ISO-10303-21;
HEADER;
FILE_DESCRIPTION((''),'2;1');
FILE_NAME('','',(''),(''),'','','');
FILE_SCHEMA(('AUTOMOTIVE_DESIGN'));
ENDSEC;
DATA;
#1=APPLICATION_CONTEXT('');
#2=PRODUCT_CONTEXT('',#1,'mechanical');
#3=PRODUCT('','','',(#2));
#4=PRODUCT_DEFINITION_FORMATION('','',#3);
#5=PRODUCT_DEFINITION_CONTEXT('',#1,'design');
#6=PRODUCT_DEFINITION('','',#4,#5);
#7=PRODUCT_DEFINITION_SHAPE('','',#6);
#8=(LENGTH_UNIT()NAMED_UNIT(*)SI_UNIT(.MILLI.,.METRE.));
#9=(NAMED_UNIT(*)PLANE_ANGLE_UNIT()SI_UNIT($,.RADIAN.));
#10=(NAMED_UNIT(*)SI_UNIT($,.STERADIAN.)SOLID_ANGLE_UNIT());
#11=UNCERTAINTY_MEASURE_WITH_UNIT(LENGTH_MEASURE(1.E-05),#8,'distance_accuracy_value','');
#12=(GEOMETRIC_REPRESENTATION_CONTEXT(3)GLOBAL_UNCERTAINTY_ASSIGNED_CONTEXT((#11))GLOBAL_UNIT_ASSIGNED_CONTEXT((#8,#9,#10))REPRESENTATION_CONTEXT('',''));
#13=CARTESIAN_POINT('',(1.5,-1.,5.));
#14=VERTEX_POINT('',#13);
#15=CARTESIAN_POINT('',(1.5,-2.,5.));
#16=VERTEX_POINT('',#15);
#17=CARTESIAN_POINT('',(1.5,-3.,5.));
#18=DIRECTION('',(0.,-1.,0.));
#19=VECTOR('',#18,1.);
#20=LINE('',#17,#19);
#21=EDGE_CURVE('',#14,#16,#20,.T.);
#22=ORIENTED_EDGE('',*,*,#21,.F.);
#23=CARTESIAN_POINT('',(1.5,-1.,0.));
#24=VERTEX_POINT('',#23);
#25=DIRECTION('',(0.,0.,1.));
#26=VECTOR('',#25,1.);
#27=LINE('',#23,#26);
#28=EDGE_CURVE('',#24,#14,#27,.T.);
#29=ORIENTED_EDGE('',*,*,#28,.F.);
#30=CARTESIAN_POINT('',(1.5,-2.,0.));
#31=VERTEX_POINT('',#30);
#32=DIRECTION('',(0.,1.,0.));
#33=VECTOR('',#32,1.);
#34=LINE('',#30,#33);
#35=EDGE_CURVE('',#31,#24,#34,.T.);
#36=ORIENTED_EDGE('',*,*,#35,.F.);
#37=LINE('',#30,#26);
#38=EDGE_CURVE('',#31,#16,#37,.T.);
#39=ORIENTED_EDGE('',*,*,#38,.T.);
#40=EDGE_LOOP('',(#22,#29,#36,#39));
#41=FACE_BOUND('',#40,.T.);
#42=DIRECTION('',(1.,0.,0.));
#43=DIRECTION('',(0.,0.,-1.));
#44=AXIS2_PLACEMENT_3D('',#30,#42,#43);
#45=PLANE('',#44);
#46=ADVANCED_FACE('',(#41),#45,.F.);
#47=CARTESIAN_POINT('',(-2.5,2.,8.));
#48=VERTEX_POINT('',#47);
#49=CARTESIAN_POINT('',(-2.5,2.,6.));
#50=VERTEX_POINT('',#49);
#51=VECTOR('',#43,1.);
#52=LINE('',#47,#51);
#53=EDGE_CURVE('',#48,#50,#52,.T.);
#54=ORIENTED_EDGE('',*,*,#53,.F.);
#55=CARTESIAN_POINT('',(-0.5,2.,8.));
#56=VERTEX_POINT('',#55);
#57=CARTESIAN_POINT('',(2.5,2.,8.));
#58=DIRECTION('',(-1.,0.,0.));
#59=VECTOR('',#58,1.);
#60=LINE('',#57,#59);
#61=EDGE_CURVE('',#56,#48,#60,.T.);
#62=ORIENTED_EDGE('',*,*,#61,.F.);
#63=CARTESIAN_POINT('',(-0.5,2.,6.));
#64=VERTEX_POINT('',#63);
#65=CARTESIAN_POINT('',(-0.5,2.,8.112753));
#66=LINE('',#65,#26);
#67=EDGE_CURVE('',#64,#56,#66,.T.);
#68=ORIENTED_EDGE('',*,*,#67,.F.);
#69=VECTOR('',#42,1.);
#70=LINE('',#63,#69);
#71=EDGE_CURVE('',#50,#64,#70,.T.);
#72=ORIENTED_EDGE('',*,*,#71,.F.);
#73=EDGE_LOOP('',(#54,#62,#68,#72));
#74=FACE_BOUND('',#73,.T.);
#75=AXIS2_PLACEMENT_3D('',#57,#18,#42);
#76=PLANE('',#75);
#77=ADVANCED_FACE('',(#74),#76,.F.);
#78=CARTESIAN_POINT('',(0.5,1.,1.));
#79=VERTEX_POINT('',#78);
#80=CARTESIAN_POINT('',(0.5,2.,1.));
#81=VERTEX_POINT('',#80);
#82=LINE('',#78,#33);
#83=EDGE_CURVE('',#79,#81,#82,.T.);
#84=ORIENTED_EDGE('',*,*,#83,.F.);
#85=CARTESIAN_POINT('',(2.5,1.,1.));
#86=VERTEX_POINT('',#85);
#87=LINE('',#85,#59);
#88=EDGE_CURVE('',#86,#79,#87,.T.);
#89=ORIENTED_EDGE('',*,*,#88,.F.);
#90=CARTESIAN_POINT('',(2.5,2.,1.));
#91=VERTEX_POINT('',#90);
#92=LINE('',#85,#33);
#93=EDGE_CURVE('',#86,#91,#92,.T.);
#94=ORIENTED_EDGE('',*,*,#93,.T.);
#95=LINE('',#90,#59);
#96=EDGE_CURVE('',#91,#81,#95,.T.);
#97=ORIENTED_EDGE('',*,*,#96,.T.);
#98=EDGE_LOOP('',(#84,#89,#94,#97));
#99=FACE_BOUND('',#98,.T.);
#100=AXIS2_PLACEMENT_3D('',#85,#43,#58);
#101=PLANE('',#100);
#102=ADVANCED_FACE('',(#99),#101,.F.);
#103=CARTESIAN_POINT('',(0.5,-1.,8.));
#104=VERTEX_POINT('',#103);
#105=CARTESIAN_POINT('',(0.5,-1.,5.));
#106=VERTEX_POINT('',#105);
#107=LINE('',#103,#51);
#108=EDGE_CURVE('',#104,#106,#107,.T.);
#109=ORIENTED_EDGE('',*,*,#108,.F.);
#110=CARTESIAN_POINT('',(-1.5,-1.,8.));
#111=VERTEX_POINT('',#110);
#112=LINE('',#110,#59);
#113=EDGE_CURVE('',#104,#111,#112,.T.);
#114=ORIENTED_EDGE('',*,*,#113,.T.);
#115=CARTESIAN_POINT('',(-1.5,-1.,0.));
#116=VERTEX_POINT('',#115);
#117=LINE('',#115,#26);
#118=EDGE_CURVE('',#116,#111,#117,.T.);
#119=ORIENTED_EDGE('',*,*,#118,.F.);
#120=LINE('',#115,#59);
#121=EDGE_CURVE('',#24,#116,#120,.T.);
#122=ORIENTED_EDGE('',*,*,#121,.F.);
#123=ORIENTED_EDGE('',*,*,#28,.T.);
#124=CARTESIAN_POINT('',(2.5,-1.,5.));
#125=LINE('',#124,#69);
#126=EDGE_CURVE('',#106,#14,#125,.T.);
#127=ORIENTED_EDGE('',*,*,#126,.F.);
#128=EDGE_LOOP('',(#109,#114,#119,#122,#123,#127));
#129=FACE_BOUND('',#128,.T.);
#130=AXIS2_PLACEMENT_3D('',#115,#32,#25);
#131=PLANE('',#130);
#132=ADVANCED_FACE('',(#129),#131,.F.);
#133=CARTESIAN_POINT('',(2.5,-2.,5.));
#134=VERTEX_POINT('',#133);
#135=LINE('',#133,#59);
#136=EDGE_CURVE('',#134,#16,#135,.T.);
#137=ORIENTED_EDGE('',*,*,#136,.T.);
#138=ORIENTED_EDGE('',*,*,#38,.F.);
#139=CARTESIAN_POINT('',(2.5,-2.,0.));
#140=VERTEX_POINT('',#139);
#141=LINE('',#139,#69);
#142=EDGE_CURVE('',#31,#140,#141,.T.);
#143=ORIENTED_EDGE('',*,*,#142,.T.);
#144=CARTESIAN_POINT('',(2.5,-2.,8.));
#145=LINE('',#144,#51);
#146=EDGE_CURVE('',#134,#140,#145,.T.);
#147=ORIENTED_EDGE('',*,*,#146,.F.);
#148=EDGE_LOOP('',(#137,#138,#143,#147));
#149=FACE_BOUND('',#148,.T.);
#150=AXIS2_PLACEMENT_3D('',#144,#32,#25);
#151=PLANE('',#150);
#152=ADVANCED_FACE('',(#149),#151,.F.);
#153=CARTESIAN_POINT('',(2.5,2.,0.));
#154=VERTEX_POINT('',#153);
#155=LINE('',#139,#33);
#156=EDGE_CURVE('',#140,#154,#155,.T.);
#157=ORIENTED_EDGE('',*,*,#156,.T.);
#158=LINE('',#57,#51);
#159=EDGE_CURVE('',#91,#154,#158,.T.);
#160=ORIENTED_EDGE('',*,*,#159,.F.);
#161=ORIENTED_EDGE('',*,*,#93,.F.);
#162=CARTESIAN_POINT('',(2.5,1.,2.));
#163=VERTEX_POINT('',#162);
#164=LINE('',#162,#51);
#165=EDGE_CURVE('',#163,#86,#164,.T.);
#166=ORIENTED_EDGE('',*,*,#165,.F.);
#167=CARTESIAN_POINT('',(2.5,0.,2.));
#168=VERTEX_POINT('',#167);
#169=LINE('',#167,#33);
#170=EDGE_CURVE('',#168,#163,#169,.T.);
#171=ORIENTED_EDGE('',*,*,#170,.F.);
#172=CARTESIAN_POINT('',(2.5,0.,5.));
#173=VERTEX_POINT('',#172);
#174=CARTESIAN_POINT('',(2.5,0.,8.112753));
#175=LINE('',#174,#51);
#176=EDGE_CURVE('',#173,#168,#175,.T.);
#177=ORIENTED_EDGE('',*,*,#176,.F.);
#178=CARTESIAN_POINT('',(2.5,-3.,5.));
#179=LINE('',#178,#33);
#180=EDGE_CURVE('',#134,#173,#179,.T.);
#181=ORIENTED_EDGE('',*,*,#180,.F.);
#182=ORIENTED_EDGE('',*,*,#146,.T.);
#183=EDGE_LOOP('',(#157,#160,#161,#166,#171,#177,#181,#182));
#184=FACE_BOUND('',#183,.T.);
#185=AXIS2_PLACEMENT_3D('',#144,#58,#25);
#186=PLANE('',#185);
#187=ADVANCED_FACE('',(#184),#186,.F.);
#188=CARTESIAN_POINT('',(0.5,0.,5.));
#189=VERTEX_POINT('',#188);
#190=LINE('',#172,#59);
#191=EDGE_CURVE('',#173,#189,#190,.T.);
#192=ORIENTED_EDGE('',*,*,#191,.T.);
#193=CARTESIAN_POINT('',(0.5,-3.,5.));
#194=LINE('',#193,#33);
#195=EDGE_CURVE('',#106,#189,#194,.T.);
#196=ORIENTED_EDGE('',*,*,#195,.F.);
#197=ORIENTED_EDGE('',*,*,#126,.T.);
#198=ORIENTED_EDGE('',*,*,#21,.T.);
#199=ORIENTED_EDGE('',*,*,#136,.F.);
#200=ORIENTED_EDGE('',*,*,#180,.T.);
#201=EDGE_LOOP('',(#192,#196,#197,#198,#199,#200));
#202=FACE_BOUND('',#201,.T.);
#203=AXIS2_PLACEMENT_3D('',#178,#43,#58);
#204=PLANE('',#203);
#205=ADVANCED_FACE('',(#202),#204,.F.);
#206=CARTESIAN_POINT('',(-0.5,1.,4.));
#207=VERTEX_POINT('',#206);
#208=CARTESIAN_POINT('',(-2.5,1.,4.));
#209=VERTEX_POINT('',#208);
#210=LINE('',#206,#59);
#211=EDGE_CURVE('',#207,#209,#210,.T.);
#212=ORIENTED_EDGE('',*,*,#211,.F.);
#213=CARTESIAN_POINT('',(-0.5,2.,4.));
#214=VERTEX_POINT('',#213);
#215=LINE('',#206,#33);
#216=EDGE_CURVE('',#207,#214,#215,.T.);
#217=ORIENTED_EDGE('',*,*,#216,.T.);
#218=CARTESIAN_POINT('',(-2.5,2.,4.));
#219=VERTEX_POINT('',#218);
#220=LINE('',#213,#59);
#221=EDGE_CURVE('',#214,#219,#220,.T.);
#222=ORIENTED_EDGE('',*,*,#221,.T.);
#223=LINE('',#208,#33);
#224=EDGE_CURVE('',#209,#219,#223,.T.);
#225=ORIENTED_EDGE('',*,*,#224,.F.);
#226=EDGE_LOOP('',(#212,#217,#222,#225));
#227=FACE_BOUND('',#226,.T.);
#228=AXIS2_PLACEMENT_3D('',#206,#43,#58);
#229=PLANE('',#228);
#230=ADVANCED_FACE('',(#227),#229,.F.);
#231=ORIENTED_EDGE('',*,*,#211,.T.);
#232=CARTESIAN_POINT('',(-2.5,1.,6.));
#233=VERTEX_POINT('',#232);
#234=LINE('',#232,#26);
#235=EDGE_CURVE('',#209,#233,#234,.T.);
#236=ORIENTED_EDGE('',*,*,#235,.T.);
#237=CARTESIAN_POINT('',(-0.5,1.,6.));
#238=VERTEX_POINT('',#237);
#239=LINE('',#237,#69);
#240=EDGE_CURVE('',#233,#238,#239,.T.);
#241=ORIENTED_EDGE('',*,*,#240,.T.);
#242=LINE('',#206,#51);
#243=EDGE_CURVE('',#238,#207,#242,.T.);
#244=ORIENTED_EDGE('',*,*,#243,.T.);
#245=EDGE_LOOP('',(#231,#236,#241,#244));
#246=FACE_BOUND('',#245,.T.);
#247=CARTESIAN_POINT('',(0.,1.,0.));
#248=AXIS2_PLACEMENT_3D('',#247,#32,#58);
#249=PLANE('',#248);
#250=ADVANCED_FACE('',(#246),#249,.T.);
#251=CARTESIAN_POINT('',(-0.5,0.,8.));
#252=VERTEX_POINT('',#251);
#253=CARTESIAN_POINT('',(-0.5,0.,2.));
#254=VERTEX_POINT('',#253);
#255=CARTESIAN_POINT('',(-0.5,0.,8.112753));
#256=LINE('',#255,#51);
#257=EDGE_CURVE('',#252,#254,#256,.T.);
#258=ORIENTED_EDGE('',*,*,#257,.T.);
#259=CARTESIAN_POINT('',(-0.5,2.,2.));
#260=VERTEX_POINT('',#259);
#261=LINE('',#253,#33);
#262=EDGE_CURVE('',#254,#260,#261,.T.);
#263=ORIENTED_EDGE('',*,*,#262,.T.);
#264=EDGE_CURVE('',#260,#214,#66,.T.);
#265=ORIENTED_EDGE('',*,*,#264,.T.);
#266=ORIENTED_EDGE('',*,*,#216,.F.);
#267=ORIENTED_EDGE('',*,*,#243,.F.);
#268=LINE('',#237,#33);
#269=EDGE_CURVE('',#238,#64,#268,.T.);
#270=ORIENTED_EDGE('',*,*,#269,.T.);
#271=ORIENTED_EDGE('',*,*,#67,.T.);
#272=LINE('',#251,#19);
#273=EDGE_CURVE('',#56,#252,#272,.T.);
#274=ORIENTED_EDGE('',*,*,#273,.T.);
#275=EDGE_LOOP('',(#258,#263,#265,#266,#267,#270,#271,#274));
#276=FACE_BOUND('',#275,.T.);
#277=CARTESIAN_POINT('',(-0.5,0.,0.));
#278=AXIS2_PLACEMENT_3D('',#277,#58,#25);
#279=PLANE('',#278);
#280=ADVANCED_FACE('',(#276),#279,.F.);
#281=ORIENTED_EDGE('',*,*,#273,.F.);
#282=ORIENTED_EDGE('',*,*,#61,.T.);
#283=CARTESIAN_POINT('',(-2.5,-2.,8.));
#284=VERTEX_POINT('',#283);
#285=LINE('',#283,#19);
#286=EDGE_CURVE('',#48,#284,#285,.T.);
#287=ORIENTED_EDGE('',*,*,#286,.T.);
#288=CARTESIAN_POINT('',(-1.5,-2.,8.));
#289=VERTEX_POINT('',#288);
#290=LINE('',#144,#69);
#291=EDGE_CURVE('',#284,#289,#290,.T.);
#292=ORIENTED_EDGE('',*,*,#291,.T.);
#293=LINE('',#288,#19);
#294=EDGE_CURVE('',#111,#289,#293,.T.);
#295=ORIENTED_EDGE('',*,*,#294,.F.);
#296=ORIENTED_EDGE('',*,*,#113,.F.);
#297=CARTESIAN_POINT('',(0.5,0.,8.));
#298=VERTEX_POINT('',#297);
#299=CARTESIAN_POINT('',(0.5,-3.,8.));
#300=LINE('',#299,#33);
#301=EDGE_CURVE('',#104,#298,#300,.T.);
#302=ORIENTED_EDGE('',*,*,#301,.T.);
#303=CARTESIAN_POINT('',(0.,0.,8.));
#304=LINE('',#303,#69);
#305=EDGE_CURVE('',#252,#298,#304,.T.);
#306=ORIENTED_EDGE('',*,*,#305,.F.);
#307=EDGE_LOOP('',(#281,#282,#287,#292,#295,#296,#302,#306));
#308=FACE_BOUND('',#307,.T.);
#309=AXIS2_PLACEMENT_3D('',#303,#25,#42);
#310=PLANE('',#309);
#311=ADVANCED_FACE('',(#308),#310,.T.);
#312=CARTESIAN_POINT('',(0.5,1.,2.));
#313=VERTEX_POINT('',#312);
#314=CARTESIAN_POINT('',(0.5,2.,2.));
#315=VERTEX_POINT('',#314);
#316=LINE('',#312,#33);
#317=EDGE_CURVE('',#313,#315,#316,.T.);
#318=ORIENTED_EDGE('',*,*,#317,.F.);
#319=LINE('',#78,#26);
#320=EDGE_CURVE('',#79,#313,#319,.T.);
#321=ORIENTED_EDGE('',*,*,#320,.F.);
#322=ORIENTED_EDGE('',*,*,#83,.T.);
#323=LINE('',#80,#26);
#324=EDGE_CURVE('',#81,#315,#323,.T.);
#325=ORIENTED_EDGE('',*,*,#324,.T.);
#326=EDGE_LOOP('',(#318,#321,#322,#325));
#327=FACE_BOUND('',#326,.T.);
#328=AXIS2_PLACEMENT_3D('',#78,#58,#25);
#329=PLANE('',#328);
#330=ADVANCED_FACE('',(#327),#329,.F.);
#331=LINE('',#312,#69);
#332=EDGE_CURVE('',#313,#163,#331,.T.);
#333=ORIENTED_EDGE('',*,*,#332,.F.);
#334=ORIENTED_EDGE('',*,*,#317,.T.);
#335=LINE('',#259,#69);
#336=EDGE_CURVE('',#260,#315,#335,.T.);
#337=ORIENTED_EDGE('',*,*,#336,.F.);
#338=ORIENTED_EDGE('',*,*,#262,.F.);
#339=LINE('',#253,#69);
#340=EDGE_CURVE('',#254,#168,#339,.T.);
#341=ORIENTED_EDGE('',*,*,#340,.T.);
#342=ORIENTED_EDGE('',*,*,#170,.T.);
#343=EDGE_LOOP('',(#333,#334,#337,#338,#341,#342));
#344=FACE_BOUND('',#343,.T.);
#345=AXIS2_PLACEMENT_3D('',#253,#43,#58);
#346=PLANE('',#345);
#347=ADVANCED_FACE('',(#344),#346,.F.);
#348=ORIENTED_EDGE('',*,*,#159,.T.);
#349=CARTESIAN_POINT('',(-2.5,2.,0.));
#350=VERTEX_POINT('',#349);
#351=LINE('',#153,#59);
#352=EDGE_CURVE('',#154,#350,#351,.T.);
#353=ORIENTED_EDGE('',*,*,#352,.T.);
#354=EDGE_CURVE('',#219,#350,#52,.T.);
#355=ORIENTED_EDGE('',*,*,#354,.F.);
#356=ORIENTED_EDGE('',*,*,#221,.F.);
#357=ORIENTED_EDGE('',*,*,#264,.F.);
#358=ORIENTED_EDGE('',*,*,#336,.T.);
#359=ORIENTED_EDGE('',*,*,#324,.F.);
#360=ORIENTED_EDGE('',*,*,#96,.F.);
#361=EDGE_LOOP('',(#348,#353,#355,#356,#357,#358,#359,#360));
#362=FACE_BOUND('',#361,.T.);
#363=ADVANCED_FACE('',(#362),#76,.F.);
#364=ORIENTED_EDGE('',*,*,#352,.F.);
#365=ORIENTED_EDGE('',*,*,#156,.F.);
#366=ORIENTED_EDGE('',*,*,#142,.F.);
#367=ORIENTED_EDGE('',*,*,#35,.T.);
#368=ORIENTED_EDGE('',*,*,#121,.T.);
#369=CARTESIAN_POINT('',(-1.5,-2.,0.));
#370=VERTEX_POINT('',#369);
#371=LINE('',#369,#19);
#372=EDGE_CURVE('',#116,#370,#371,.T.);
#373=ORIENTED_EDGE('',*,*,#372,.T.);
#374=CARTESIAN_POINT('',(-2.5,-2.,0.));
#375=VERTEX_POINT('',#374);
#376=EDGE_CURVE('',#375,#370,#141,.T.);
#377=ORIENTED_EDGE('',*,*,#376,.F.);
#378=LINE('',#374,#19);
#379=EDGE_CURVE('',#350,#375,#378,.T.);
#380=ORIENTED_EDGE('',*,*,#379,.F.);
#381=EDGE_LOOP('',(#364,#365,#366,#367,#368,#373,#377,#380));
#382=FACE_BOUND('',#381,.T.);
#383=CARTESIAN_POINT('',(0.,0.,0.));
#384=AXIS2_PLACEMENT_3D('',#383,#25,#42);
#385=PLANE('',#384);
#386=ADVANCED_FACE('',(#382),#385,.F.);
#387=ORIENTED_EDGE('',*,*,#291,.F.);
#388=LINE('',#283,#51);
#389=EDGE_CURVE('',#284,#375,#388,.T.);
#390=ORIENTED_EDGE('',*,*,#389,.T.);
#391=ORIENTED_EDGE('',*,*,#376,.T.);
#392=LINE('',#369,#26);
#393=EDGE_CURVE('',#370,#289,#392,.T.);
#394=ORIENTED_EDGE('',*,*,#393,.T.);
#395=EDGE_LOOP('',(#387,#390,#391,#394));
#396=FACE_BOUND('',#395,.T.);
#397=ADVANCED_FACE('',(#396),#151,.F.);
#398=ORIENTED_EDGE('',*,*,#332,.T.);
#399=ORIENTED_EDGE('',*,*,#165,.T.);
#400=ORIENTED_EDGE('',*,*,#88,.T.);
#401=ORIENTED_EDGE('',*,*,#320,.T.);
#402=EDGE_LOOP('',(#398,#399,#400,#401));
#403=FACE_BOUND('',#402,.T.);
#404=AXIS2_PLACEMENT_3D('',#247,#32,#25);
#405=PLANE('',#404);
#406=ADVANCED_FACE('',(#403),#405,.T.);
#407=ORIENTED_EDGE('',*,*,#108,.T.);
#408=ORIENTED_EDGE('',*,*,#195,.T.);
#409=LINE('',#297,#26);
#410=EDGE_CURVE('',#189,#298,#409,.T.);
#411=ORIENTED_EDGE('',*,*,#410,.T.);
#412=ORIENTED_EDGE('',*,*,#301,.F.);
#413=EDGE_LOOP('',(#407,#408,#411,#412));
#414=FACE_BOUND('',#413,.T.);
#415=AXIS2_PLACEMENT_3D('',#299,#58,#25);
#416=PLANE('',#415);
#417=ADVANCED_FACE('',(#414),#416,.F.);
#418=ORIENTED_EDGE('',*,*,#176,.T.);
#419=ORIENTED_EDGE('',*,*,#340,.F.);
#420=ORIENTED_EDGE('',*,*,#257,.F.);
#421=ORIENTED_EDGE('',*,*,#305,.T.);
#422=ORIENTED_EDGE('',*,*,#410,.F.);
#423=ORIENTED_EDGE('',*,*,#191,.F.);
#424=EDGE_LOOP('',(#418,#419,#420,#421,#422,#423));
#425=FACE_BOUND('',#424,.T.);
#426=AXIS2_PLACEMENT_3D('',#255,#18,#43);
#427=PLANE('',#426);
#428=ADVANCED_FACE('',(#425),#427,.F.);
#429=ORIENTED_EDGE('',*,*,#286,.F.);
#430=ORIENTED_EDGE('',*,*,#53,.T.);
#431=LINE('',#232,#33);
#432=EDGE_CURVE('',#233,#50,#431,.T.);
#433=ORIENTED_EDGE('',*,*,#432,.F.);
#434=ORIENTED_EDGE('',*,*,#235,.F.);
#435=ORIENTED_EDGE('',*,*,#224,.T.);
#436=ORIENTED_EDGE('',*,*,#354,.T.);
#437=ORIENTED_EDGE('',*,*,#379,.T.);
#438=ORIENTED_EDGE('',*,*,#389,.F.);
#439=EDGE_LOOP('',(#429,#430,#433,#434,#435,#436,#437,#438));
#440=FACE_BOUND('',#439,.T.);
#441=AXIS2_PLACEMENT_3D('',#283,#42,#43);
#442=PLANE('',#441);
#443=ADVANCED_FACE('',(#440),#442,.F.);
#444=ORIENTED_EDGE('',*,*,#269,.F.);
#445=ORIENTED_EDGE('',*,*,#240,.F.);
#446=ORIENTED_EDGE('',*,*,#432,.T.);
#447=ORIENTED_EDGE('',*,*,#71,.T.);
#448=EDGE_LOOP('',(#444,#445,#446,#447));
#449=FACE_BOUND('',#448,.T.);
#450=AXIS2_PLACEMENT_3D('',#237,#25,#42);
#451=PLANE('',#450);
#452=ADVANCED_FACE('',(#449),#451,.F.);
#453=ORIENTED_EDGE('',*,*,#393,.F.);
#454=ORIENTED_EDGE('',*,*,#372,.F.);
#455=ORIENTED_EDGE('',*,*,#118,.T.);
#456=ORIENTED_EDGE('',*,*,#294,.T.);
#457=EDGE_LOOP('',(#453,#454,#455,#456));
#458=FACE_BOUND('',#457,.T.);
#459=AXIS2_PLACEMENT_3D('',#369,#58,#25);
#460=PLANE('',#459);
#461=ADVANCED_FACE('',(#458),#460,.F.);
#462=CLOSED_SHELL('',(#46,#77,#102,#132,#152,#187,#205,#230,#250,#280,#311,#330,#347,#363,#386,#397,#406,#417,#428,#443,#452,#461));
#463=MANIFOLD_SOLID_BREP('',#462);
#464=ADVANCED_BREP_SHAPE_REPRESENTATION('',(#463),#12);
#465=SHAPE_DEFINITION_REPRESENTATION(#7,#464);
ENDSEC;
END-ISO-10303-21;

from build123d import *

# Parameters (mm, degrees)
SKETCH1_W           = 5
SKETCH1_H           = 4
BOSS_EXTRUDE1_DEPTH = 8
SKETCH2_W           = 2
SKETCH2_H           = 2
SKETCH2_H_2         = 1
CUT_EXTRUDE1_DEPTH  = 1
SKETCH4_W           = 6.112752517
SKETCH4_H           = 2
CUT_EXTRUDE2_DEPTH  = 3
SKETCH5_W           = 2
SKETCH5_H           = 3
CUT_EXTRUDE3_DEPTH  = 3
SKETCH6_W           = 3
SKETCH6_H           = 1
CUT_EXTRUDE5_DEPTH  = 9


with BuildPart() as part:
    # Sketch1 → Boss-Extrude1 (new body)
    with BuildSketch(Plane.XY):
        Rectangle(SKETCH1_W, SKETCH1_H)
    extrude(amount=BOSS_EXTRUDE1_DEPTH)

    # Sketch2 → Cut-Extrude1 (cut)
    with BuildSketch(Plane(origin=(0, 2, 0), x_dir=(1, 0, 0), z_dir=(0, 1, 0))):
        with Locations((-1.5, -5)):
            Rectangle(SKETCH2_W, SKETCH2_H)
        with Locations((1.5, -1.5)):
            Rectangle(SKETCH2_W, SKETCH2_H_2)
    extrude(amount=-CUT_EXTRUDE1_DEPTH, mode=Mode.SUBTRACT)

    # Sketch4 → Cut-Extrude2 (cut)
    with BuildSketch(Plane(origin=(2.5, 0, 0), x_dir=(0, 0, -1), z_dir=(1, 0, 0))):
        with Locations((-5.056376259, 1)):
            Rectangle(SKETCH4_W, SKETCH4_H)
    extrude(amount=-CUT_EXTRUDE2_DEPTH, mode=Mode.SUBTRACT)

    # Sketch5 → Cut-Extrude3 (cut)
    with BuildSketch(Plane(origin=(0, 0, 0), x_dir=(1, 0, 0), z_dir=(0, 1, 0))):
        with Locations((1.5, -6.5)):
            Rectangle(SKETCH5_W, SKETCH5_H)
    extrude(amount=-CUT_EXTRUDE3_DEPTH, mode=Mode.SUBTRACT)

    # Sketch6 → Cut-Extrude5 (cut, through all)
    with BuildSketch(Plane.XY.offset(8)):
        with Locations((0, -1.5)):
            Rectangle(SKETCH6_W, SKETCH6_H)
    extrude(amount=-CUT_EXTRUDE5_DEPTH, mode=Mode.SUBTRACT)


solid = part.part
